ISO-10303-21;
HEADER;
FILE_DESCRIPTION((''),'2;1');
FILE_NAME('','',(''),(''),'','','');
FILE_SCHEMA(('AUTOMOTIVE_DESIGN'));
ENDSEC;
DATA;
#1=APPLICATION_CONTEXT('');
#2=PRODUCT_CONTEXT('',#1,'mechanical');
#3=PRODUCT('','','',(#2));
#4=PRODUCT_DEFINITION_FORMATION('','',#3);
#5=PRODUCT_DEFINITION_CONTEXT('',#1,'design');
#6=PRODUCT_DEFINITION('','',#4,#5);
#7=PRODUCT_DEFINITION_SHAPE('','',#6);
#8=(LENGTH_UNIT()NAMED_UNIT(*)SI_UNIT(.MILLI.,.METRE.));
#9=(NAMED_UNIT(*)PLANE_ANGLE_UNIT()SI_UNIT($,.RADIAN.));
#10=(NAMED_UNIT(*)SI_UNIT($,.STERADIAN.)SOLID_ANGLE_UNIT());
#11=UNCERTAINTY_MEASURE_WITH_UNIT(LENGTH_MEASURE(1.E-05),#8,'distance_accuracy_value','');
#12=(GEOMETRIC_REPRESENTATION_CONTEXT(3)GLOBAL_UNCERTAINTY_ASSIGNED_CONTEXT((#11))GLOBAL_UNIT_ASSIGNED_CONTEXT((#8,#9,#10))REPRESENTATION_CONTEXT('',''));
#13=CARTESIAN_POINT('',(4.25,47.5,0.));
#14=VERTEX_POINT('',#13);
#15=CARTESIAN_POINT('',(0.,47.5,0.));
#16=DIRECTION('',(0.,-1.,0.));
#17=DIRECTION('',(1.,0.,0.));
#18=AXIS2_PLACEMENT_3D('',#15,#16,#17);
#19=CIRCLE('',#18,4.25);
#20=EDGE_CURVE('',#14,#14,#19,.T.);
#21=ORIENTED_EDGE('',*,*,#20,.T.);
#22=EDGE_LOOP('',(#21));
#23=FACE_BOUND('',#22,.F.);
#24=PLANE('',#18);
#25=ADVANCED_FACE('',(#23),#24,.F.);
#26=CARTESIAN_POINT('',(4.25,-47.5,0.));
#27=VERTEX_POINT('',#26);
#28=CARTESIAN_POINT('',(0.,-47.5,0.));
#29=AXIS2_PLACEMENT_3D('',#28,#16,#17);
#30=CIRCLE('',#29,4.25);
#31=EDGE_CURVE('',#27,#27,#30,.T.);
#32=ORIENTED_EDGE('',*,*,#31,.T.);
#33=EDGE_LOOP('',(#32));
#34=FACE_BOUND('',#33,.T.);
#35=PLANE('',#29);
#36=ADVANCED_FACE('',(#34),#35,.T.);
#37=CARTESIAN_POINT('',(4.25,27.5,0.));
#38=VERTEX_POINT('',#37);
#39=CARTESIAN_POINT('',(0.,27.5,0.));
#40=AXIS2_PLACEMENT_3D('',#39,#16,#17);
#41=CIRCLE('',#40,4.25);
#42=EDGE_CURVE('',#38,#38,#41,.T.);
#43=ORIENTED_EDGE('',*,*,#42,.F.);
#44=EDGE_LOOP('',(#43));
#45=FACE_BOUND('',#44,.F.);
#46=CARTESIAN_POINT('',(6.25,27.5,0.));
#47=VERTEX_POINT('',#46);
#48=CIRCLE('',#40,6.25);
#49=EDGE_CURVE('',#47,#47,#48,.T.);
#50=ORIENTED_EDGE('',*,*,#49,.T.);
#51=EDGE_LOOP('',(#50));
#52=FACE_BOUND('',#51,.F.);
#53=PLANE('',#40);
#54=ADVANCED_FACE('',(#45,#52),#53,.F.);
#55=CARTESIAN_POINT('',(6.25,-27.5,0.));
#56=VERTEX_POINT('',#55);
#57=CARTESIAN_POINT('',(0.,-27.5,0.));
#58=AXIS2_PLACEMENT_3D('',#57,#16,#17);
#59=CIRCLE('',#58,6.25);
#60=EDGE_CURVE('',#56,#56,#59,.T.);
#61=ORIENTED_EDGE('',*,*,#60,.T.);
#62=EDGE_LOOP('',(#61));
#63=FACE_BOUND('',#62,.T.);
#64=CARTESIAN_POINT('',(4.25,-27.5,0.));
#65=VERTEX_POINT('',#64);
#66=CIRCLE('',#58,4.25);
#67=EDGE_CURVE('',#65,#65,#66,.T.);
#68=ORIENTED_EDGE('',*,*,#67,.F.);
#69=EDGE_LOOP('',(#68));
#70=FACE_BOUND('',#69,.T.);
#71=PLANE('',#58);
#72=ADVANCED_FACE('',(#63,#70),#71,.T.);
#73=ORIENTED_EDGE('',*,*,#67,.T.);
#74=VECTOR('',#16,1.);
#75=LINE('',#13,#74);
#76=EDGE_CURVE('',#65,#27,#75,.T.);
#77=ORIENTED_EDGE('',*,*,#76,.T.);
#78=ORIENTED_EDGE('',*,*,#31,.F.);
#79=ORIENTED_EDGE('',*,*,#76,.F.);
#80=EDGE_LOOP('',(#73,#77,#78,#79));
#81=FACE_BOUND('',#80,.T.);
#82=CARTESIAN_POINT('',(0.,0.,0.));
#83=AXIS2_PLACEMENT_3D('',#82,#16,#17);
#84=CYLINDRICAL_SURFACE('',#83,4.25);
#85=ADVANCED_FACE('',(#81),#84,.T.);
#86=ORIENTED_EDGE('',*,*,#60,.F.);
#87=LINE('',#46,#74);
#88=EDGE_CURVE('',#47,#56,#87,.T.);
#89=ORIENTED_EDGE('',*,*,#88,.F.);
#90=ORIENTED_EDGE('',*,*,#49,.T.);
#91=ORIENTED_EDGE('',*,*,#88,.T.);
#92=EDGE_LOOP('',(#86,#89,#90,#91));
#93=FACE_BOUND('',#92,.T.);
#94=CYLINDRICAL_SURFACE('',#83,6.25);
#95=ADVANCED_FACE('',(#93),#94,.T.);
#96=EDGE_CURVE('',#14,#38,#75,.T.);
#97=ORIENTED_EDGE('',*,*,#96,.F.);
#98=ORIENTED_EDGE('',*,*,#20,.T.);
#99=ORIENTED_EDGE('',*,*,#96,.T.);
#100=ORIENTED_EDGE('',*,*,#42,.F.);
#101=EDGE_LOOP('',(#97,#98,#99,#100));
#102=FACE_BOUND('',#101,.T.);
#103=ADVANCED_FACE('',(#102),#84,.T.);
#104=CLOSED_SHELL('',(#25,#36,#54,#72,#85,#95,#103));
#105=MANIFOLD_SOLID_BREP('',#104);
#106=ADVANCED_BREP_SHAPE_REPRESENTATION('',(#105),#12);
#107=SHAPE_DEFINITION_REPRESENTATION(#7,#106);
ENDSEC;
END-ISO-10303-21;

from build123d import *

# Parameters (mm, degrees)
F0_R     = 6.25
F0_R_2   = 4.25
F1_DEPTH = 27.5
F2_DEPTH = 47.5


with BuildPart() as f1:
    # F0 (on Front) → F1 (new body, symmetric)
    with BuildSketch(Plane.XZ):
        Circle(F0_R)
        Circle(F0_R_2, mode=Mode.SUBTRACT)
        Circle(F0_R_2)
    extrude(amount=F1_DEPTH, both=True)

    # F0 (on Front) → F2 (join, symmetric)
    with BuildSketch(Plane.XZ):
        Circle(F0_R_2)
    extrude(amount=F2_DEPTH, both=True)


solid = f1.part
